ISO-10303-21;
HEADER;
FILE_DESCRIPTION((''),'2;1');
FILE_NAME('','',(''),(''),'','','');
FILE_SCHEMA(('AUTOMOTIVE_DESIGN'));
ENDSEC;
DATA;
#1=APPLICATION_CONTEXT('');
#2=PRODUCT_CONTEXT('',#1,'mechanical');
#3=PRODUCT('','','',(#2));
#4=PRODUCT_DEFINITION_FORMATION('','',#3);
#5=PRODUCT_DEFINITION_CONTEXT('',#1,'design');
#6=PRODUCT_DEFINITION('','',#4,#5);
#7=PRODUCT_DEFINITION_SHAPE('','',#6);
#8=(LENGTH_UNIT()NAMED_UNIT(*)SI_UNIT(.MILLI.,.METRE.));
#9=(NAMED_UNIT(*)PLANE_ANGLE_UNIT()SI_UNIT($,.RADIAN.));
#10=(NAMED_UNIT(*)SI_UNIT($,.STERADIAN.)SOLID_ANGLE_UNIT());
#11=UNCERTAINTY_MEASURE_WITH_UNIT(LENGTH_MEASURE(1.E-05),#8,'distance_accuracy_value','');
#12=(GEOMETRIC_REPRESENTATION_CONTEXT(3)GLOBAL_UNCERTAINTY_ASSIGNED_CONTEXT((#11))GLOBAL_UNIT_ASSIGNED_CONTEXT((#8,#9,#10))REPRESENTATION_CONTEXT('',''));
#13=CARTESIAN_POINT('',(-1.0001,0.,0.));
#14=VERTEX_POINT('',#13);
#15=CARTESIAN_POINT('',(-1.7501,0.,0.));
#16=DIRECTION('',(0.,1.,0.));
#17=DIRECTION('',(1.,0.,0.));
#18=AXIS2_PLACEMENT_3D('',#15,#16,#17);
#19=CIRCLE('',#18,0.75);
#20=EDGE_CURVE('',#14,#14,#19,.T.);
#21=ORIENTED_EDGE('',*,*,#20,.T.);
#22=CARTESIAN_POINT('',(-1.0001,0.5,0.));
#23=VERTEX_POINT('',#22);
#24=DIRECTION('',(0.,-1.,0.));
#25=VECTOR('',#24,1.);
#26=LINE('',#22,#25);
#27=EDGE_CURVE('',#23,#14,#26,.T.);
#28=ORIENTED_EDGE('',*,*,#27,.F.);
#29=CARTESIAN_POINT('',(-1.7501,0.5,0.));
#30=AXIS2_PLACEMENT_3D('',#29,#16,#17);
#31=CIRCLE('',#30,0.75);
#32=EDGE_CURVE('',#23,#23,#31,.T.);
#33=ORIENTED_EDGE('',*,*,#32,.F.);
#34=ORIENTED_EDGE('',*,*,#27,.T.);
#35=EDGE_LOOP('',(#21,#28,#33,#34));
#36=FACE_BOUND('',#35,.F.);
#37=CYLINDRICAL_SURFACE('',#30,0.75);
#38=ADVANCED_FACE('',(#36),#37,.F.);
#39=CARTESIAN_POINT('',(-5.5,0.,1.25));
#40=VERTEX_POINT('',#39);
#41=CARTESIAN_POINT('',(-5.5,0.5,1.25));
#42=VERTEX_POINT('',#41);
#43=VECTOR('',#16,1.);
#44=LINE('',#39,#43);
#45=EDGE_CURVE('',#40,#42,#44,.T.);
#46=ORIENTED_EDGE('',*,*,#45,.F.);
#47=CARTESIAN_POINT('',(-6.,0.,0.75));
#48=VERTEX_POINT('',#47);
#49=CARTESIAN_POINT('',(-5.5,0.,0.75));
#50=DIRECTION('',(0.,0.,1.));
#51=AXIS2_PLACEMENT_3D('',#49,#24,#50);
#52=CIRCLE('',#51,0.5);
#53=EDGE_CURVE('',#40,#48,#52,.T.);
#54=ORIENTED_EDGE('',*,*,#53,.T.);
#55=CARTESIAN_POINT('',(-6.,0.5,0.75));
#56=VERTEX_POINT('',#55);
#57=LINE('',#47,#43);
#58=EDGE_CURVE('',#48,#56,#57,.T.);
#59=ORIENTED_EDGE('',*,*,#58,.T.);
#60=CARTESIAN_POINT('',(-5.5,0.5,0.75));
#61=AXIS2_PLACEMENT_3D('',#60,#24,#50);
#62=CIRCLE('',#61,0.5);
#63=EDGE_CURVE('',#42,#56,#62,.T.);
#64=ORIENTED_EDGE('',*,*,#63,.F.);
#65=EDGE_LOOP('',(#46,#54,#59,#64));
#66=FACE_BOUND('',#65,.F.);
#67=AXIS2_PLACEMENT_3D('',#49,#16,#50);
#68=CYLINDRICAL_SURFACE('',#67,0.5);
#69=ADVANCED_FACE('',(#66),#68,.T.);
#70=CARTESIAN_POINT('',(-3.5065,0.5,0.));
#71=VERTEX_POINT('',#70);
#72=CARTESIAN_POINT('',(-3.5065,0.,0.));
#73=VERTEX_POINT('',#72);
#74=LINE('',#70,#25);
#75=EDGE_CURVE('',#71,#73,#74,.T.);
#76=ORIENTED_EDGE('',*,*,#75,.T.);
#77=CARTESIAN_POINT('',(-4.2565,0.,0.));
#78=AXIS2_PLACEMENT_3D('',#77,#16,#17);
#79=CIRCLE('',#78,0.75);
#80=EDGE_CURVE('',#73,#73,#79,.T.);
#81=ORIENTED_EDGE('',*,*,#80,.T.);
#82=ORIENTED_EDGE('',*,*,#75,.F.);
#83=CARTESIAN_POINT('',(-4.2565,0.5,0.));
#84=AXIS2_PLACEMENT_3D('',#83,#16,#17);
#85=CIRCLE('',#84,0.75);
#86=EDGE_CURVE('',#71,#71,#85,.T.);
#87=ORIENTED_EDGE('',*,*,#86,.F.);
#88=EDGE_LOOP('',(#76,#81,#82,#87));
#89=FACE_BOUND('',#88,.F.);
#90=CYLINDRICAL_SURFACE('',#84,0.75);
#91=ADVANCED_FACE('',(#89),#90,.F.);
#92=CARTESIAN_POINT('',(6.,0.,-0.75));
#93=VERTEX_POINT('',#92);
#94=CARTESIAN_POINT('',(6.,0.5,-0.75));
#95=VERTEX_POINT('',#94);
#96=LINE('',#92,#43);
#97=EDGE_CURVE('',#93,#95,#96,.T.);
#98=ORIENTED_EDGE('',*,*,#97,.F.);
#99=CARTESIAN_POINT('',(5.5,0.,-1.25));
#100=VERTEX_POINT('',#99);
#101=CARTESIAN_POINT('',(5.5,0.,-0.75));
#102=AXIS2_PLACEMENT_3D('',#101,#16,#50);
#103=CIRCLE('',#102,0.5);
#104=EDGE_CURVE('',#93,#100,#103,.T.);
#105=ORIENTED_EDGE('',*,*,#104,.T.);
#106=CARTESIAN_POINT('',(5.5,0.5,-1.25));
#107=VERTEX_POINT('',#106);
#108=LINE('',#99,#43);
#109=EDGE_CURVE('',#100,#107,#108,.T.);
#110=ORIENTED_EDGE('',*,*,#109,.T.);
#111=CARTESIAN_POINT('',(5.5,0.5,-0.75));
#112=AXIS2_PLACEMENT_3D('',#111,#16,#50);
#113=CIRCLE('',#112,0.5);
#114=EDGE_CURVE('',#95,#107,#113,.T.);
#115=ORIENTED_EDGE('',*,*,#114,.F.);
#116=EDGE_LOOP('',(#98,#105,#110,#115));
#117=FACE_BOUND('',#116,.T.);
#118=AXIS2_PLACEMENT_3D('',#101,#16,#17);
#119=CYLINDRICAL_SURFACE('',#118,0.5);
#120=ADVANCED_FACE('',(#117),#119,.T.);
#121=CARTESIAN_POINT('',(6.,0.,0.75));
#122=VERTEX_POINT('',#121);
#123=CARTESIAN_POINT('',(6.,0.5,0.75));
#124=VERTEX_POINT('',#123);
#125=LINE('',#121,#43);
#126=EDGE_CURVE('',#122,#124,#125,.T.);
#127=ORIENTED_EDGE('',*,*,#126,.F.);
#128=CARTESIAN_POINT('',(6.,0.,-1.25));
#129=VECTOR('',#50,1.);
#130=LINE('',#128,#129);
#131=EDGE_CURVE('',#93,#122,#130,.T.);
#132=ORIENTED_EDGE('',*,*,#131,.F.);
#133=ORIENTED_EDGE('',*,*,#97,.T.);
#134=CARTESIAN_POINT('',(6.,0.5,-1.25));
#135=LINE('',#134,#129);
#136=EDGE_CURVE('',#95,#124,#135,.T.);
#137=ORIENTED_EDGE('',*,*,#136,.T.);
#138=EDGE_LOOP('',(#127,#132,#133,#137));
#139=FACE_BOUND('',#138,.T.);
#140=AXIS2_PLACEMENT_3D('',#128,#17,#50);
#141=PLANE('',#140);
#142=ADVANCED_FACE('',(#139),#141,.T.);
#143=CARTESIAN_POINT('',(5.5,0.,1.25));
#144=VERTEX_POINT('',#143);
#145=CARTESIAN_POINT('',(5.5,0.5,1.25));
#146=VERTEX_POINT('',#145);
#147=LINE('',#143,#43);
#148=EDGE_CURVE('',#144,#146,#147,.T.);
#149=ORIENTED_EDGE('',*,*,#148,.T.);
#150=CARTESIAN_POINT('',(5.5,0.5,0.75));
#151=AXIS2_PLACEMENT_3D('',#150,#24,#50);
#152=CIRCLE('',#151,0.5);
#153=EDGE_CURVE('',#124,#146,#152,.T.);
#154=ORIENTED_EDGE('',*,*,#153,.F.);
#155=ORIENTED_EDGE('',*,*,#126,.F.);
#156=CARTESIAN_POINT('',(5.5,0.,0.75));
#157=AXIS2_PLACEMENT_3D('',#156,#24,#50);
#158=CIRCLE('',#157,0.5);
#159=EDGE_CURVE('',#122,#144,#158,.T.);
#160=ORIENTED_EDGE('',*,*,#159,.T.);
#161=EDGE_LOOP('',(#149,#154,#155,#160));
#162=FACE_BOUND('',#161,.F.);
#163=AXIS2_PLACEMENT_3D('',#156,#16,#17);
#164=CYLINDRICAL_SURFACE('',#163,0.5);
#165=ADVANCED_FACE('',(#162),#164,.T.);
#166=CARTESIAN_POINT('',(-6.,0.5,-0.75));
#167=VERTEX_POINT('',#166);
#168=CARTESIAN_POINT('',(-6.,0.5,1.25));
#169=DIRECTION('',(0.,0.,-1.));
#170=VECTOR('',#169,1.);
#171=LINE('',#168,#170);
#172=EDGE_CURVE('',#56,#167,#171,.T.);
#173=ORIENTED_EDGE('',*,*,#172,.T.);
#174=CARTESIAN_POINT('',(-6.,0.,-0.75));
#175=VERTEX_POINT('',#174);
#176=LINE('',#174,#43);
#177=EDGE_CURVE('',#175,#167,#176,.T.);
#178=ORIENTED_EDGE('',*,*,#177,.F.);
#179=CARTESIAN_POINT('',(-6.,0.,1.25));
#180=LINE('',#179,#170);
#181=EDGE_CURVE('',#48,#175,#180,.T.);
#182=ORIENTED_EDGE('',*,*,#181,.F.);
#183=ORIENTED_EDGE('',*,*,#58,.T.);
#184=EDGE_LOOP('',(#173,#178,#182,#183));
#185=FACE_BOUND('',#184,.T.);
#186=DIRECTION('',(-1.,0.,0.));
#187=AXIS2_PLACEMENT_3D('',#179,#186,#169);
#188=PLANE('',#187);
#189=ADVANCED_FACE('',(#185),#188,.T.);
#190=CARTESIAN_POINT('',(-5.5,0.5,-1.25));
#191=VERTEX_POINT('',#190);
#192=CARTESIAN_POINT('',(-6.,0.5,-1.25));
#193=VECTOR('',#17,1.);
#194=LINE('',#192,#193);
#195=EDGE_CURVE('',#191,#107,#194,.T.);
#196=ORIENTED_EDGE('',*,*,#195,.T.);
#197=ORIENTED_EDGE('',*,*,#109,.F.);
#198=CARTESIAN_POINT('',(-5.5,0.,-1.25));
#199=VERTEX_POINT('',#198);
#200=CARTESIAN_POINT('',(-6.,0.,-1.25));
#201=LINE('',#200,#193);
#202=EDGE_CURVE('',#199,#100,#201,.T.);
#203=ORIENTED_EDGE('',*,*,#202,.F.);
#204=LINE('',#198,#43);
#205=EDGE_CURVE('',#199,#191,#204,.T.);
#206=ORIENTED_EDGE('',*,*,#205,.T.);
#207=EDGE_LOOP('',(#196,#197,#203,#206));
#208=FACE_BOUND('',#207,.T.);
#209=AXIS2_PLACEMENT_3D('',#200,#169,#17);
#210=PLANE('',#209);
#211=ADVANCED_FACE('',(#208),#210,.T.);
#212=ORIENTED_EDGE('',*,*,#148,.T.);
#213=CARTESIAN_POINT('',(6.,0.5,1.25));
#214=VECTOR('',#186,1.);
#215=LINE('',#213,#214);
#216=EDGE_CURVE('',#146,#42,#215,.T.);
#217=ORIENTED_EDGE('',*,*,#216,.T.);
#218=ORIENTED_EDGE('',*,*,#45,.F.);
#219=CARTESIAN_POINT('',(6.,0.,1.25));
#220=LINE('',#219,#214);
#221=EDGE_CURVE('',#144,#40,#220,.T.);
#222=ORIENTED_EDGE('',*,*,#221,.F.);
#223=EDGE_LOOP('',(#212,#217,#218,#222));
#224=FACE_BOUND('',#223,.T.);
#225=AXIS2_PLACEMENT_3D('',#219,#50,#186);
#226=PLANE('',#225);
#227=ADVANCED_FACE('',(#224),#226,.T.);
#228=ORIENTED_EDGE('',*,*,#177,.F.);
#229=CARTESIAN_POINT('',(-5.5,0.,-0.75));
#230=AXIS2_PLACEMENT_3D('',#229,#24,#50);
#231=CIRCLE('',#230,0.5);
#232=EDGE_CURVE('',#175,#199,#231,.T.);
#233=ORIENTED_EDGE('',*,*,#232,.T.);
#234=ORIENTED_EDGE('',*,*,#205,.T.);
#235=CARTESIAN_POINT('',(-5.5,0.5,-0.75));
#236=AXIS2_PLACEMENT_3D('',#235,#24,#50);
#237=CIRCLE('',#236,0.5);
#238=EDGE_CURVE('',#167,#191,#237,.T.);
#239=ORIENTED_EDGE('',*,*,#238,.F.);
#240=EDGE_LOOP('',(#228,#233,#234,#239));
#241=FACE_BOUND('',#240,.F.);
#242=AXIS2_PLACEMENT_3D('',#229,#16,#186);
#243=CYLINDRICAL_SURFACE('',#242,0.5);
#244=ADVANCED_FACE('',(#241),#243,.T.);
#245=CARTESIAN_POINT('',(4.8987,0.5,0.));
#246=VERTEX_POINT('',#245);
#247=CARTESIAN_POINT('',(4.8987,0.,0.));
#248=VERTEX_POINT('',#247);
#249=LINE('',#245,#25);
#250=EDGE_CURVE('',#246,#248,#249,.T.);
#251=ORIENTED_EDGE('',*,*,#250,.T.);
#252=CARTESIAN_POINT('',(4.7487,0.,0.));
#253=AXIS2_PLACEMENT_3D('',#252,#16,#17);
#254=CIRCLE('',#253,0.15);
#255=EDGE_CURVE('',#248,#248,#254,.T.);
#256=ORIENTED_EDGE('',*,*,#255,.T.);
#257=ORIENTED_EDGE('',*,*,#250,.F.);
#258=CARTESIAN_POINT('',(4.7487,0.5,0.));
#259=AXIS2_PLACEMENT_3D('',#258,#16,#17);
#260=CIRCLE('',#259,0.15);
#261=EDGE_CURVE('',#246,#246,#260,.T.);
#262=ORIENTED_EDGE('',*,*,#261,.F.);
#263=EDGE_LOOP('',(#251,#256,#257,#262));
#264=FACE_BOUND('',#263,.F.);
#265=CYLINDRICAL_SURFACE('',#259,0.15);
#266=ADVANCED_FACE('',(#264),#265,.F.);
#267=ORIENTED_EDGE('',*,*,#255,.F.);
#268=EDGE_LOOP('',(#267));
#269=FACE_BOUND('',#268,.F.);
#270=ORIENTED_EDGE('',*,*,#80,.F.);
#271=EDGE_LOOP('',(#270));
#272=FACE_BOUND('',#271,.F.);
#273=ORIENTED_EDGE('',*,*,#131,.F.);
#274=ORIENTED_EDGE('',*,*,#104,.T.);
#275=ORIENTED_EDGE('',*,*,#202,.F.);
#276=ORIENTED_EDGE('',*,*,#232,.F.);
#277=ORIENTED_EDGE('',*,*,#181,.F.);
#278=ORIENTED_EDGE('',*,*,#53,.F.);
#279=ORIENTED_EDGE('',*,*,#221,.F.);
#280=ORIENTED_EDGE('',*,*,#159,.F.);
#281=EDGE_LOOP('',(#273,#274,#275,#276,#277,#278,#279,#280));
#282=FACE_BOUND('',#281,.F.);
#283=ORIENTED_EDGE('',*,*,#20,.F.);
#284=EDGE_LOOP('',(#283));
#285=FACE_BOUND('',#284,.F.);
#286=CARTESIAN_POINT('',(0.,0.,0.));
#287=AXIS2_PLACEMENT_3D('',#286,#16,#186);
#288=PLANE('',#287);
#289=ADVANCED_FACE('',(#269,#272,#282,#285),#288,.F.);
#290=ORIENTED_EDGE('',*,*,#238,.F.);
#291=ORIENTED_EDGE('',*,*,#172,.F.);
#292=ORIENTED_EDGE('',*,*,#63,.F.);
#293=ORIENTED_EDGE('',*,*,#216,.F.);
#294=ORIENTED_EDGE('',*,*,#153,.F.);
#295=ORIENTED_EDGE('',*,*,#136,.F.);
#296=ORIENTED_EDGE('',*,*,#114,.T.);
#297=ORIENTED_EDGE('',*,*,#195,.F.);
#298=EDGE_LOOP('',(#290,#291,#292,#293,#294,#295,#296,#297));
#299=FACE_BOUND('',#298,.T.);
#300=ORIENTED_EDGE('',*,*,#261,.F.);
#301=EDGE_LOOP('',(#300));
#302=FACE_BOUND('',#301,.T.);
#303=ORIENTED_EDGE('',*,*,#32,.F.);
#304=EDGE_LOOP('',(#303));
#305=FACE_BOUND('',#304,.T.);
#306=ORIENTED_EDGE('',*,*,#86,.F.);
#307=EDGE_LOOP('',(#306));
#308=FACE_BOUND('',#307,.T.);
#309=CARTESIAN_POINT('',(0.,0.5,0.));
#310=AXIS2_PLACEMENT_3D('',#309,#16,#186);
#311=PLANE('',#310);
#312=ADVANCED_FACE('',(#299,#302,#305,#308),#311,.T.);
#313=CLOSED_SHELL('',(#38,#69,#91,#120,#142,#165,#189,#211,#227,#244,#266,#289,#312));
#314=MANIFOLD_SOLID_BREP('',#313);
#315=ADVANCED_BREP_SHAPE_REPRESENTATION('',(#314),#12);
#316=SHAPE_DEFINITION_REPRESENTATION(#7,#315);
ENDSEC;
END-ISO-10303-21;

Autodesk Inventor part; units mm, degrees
ref_plane "YZ Plane" through (0, 0, 0) normal (1, 0, 0) x (0, 1, 0)
ref_plane "XZ Plane" through (0, 0, 0) normal (0, 1, 0) x (-1, 0, 0)
ref_plane "XY Plane" through (0, 0, 0) normal (0, 0, 1) x (1, 0, 0)
sketch "Sketch1" plane through (0, 0, 0) normal (0, 1, 0) x (-1, 0, 0)
  line L0 (6, -1.25) -> (-6, -1.25)
  line L1 (-6, -1.25) -> (-6, 1.25)
  line L2 (-6, 1.25) -> (6, 1.25)
  line L3 (6, 1.25) -> (6, -1.25)
  line L4 (6, -1.25) -> (-6, 1.25) construction
  line L5 (-6, -1.25) -> (6, 1.25) construction
  point P0 (0, 0)
  dimension "d0" = 12
  dimension "d1" = 2.5
extrude "Extrusion1" add sketch "Sketch1" along normal blind 0.5
sketch "Sketch2" plane through (0, 0.5, 0) normal (0, 1, 0) x (1, 0, 0)
  circle A0 centre (-4.2565, 0) radius 0.75
  point P0 (0, 0)
  dimension "d4" = 1.5
extrude "Extrusion2" cut sketch "Sketch2" against normal blind 0.5
sketch "Sketch3" plane through (0, 0.5, 0) normal (0, 1, 0) x (1, 0, 0)
  circle A0 centre (-1.7501, 0) radius 0.75
  circle A1 centre (4.2419, 0) radius 0.75
  circle A2 centre (1.7477, 0) radius 0.75
  point P0 (0, 0)
  dimension "d7" = 1.5
  dimension "d8" = 1.5
  dimension "d9" = 1.5
extrude "Extrusion3" cut sketch "Sketch3" against normal blind 0.5 contours A0
sketch "Sketch7" plane through (0, 0.5, 0) normal (0, 1, 0) x (1, 0, 0)
  circle A0 centre (4.7487, 0) radius 0.15
  point P0 (0, 0)
  dimension "d21" = 0.3
extrude "Extrusion7" cut sketch "Sketch7" against normal blind 2
fillet "Fillet2" radius 0.5 1 edges at (6, 0.25, 1.25)
fillet "Fillet3" radius 0.5 1 edges at (6, 0.25, -1.25)
fillet "Fillet4" radius 0.5 1 edges at (-6, 0.25, 1.25)
fillet "Fillet5" radius 0.5 1 edges at (-6, 0.25, -1.25)
properties part number "stationary arm"
